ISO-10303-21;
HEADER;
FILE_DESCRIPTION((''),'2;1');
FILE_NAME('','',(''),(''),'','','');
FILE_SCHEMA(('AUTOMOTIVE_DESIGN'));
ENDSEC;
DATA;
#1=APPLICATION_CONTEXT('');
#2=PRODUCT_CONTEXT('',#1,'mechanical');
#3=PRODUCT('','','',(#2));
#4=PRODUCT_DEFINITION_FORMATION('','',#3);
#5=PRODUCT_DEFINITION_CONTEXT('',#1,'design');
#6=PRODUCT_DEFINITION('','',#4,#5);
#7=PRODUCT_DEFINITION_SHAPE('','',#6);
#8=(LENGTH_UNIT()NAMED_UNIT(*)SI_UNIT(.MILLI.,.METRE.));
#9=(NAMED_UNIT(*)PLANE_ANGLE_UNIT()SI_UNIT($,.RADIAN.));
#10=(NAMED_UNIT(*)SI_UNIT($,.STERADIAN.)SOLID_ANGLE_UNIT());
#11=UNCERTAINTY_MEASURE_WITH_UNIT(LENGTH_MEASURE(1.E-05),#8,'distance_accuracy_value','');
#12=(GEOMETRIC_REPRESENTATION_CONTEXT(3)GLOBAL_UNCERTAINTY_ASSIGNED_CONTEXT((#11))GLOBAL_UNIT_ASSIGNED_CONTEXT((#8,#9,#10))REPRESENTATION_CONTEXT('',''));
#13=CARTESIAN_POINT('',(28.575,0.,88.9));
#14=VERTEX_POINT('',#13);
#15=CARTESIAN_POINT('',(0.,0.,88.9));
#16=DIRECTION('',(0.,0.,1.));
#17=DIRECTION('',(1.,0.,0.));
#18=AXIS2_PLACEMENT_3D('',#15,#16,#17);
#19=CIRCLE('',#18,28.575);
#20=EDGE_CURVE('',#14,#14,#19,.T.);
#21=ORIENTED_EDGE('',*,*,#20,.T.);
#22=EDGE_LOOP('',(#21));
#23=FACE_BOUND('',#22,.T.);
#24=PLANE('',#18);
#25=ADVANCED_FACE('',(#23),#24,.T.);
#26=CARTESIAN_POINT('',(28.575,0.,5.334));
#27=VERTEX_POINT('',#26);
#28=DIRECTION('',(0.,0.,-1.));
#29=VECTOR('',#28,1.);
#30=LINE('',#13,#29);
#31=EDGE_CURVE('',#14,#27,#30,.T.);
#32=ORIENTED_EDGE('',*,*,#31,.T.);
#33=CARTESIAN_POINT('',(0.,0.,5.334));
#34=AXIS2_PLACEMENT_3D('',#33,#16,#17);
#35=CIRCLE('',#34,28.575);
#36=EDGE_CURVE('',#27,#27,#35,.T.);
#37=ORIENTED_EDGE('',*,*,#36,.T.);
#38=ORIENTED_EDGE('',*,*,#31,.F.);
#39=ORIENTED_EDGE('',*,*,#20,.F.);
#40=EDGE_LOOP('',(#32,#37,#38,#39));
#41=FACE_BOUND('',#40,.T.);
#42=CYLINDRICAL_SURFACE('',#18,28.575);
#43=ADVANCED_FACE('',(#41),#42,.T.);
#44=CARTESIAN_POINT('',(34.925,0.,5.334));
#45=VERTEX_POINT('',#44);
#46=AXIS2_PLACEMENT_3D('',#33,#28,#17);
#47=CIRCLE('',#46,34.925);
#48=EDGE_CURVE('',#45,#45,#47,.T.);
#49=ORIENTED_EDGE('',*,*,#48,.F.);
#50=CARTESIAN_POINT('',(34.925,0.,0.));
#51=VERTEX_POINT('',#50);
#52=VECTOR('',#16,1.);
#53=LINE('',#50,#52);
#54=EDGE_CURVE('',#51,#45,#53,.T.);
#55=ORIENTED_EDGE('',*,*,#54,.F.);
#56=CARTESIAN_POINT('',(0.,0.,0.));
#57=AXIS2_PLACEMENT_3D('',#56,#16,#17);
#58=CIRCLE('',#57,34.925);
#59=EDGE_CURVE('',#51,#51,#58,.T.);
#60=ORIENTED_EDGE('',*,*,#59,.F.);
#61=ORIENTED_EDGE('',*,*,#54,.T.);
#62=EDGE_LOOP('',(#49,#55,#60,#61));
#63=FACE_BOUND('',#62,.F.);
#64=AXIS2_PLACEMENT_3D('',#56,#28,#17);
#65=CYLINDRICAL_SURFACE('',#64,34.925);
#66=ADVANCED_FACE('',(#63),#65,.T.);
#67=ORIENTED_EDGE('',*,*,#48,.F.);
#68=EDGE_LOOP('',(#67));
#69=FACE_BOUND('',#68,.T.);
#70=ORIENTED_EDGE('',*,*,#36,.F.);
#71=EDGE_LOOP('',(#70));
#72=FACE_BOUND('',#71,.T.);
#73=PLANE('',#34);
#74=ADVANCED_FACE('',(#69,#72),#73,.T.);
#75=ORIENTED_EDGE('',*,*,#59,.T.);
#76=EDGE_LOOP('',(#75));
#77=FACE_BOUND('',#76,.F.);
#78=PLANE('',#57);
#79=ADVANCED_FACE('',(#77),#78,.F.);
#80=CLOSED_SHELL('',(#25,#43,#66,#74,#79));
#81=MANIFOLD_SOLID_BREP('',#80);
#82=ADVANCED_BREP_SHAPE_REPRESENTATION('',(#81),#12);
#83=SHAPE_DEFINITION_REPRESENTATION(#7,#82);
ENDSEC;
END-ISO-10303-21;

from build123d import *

# Parameters (mm, degrees)
F0_R     = 34.925
F1_DEPTH = 88.9
F2_R     = 82.168996
F2_R_2   = 28.575
F3_DEPTH = 83.566


with BuildPart() as f1:
    # F0 (on Top) → F1 (new body)
    with BuildSketch(Plane.XY):
        Circle(F0_R)
    extrude(amount=F1_DEPTH)

    # F2 (on face) → F3 (cut)
    with BuildSketch(Plane.XY.offset(88.9)):
        Circle(F2_R)
        Circle(F2_R_2, mode=Mode.SUBTRACT)
    extrude(amount=-F3_DEPTH, mode=Mode.SUBTRACT)


solid = f1.part
